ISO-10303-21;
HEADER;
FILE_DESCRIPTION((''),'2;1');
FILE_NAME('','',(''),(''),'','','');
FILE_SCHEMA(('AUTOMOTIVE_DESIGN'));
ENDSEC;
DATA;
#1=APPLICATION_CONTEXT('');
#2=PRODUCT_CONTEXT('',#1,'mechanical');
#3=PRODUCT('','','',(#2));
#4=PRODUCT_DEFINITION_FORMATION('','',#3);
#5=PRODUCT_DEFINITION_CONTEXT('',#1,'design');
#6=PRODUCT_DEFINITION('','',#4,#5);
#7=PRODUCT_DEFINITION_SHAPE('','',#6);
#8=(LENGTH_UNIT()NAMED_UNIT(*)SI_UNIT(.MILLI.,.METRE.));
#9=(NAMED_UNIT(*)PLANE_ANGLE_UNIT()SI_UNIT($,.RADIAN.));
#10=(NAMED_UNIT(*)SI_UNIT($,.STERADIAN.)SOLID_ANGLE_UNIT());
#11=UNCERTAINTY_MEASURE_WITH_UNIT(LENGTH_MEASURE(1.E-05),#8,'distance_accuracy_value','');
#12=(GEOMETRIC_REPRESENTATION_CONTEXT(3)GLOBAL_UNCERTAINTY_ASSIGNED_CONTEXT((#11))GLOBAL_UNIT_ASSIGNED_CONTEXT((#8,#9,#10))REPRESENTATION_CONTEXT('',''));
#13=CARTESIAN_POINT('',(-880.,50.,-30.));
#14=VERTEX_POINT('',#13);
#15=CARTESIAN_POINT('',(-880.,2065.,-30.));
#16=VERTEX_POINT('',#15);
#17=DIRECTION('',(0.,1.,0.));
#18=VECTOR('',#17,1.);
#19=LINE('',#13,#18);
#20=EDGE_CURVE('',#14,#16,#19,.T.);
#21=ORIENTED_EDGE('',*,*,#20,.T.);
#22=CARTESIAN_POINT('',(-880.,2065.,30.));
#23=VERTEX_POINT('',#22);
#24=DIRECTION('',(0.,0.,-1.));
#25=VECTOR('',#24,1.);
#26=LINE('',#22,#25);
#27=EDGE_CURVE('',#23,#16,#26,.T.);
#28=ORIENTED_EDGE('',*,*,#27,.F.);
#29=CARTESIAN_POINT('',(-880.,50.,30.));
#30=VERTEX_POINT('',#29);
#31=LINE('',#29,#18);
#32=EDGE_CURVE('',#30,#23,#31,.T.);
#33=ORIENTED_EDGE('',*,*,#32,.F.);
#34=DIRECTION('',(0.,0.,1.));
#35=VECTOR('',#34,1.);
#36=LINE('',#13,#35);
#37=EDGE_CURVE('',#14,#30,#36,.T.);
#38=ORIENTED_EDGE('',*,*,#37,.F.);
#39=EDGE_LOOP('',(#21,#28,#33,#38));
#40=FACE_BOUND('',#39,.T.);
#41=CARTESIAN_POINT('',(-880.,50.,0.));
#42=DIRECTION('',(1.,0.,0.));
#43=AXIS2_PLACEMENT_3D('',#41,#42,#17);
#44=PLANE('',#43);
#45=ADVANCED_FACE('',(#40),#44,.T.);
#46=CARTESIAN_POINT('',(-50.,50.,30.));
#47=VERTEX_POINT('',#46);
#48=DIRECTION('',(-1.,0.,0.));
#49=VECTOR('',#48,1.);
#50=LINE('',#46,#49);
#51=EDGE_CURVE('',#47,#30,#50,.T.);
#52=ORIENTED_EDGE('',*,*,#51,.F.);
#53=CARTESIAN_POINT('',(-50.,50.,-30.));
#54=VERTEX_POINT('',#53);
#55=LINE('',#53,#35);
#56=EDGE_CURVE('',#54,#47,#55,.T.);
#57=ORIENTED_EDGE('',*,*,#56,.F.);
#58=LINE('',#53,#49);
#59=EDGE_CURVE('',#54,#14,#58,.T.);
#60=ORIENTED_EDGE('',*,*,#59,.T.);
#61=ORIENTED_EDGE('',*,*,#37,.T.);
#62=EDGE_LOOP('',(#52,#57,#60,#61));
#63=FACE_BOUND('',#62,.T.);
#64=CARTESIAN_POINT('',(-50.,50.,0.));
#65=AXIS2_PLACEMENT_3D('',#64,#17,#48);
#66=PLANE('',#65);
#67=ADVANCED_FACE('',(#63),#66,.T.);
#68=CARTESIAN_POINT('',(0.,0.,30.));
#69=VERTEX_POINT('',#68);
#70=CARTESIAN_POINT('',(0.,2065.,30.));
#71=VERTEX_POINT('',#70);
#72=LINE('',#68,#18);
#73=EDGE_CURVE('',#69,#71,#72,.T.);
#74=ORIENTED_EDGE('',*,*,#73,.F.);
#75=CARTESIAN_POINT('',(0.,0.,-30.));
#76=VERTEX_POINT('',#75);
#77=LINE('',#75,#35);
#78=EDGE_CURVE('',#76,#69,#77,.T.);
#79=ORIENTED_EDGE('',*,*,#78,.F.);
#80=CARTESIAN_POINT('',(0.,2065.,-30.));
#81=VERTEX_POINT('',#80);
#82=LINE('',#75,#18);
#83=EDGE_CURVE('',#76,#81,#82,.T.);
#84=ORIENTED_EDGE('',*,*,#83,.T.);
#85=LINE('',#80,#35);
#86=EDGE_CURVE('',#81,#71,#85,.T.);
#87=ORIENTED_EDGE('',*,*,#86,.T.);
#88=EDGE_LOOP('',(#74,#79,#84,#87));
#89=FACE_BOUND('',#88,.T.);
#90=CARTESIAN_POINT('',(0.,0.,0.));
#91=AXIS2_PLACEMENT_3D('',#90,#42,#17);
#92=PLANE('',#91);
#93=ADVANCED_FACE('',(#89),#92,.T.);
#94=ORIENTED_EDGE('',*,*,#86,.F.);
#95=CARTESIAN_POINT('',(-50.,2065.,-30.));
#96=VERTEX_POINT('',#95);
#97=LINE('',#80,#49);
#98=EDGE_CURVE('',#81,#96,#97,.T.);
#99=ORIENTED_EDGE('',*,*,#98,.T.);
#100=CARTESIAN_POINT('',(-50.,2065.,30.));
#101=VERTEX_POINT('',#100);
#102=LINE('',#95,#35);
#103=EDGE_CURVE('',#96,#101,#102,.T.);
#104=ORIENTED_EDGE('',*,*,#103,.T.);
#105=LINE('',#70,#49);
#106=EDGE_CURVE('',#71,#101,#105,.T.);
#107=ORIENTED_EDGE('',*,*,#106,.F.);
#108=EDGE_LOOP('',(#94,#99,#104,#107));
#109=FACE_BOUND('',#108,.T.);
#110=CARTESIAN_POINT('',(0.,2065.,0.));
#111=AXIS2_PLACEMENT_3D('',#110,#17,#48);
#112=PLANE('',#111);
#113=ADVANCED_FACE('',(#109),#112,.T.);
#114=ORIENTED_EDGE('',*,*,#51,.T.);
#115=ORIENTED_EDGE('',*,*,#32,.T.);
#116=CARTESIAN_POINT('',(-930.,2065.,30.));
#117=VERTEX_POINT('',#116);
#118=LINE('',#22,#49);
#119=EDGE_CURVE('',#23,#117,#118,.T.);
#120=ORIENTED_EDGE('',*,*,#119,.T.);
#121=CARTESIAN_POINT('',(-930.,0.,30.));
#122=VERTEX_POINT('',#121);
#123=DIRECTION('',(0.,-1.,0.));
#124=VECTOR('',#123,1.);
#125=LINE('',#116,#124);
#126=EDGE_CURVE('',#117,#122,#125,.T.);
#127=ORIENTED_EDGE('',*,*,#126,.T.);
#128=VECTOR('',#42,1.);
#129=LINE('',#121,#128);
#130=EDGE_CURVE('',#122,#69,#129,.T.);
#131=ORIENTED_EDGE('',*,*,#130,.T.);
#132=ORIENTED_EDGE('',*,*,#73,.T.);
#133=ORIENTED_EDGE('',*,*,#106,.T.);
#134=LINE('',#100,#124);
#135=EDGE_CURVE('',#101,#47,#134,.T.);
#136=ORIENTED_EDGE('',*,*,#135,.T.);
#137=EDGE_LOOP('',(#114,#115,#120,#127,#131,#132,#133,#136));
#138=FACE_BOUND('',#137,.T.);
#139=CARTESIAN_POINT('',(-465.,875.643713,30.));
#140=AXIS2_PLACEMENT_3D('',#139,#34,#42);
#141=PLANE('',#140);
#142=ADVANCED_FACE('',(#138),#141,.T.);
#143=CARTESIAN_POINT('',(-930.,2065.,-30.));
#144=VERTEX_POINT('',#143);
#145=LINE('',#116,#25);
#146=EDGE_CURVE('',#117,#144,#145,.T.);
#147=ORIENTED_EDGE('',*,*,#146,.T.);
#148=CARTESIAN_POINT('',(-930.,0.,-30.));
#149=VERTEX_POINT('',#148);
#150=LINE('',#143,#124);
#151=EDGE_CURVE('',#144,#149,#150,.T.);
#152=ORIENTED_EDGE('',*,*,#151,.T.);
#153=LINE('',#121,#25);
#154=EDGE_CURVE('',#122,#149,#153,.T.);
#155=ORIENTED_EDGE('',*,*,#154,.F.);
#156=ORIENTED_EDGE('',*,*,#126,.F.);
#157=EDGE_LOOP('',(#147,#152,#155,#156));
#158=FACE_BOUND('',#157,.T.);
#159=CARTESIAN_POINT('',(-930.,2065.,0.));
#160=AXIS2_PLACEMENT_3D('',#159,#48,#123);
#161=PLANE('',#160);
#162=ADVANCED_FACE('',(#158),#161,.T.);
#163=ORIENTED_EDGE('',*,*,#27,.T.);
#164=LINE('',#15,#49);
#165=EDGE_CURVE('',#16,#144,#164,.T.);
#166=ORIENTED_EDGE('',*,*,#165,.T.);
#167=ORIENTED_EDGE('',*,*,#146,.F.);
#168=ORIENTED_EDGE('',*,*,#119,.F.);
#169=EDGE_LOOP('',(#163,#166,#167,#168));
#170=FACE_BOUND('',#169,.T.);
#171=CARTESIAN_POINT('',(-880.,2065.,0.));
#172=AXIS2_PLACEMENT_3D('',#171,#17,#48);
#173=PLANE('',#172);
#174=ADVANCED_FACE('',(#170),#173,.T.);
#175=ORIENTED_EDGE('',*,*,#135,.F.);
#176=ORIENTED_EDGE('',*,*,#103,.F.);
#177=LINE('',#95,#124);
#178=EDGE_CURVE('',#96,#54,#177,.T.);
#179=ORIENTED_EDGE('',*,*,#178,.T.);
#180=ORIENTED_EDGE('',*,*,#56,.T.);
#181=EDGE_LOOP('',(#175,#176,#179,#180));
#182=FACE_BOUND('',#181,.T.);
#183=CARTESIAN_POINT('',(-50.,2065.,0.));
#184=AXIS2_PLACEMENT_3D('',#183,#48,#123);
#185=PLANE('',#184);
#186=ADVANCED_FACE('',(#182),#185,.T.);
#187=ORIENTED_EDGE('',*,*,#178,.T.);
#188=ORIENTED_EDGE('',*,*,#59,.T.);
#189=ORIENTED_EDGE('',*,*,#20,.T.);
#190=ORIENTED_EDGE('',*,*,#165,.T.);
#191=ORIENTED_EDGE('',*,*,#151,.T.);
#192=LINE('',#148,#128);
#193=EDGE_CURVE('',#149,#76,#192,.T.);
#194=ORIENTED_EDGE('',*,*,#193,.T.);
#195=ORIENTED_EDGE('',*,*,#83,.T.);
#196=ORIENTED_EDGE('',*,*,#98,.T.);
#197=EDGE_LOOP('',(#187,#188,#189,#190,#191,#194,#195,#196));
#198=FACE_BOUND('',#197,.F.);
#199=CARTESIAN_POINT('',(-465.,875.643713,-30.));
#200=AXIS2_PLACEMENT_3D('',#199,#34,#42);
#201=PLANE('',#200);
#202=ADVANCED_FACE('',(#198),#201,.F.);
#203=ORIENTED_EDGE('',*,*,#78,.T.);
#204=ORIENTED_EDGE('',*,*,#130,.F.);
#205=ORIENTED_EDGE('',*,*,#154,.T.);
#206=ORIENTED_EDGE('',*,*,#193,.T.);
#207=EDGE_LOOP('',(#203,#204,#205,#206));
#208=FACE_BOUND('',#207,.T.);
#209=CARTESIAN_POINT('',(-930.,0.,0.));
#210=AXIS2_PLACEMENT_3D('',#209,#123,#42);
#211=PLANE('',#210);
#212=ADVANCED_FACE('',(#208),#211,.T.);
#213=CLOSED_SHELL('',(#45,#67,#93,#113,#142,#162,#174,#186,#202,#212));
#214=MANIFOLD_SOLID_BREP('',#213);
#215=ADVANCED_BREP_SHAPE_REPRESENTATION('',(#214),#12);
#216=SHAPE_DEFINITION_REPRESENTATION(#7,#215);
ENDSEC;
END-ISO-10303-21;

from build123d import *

# Parameters (mm, degrees)
F1_DEPTH = 30


with BuildPart() as f1:
    # F0 (on Top) → F1 (new body, symmetric)
    with BuildSketch(Plane.XY):
        Polygon((-930, 0), (0, 0), (0, 2065), (-50, 2065), (-50, 50), (-880, 50), (-880, 2065), (-930, 2065), align=None)
    extrude(amount=F1_DEPTH, both=True)


solid = f1.part
